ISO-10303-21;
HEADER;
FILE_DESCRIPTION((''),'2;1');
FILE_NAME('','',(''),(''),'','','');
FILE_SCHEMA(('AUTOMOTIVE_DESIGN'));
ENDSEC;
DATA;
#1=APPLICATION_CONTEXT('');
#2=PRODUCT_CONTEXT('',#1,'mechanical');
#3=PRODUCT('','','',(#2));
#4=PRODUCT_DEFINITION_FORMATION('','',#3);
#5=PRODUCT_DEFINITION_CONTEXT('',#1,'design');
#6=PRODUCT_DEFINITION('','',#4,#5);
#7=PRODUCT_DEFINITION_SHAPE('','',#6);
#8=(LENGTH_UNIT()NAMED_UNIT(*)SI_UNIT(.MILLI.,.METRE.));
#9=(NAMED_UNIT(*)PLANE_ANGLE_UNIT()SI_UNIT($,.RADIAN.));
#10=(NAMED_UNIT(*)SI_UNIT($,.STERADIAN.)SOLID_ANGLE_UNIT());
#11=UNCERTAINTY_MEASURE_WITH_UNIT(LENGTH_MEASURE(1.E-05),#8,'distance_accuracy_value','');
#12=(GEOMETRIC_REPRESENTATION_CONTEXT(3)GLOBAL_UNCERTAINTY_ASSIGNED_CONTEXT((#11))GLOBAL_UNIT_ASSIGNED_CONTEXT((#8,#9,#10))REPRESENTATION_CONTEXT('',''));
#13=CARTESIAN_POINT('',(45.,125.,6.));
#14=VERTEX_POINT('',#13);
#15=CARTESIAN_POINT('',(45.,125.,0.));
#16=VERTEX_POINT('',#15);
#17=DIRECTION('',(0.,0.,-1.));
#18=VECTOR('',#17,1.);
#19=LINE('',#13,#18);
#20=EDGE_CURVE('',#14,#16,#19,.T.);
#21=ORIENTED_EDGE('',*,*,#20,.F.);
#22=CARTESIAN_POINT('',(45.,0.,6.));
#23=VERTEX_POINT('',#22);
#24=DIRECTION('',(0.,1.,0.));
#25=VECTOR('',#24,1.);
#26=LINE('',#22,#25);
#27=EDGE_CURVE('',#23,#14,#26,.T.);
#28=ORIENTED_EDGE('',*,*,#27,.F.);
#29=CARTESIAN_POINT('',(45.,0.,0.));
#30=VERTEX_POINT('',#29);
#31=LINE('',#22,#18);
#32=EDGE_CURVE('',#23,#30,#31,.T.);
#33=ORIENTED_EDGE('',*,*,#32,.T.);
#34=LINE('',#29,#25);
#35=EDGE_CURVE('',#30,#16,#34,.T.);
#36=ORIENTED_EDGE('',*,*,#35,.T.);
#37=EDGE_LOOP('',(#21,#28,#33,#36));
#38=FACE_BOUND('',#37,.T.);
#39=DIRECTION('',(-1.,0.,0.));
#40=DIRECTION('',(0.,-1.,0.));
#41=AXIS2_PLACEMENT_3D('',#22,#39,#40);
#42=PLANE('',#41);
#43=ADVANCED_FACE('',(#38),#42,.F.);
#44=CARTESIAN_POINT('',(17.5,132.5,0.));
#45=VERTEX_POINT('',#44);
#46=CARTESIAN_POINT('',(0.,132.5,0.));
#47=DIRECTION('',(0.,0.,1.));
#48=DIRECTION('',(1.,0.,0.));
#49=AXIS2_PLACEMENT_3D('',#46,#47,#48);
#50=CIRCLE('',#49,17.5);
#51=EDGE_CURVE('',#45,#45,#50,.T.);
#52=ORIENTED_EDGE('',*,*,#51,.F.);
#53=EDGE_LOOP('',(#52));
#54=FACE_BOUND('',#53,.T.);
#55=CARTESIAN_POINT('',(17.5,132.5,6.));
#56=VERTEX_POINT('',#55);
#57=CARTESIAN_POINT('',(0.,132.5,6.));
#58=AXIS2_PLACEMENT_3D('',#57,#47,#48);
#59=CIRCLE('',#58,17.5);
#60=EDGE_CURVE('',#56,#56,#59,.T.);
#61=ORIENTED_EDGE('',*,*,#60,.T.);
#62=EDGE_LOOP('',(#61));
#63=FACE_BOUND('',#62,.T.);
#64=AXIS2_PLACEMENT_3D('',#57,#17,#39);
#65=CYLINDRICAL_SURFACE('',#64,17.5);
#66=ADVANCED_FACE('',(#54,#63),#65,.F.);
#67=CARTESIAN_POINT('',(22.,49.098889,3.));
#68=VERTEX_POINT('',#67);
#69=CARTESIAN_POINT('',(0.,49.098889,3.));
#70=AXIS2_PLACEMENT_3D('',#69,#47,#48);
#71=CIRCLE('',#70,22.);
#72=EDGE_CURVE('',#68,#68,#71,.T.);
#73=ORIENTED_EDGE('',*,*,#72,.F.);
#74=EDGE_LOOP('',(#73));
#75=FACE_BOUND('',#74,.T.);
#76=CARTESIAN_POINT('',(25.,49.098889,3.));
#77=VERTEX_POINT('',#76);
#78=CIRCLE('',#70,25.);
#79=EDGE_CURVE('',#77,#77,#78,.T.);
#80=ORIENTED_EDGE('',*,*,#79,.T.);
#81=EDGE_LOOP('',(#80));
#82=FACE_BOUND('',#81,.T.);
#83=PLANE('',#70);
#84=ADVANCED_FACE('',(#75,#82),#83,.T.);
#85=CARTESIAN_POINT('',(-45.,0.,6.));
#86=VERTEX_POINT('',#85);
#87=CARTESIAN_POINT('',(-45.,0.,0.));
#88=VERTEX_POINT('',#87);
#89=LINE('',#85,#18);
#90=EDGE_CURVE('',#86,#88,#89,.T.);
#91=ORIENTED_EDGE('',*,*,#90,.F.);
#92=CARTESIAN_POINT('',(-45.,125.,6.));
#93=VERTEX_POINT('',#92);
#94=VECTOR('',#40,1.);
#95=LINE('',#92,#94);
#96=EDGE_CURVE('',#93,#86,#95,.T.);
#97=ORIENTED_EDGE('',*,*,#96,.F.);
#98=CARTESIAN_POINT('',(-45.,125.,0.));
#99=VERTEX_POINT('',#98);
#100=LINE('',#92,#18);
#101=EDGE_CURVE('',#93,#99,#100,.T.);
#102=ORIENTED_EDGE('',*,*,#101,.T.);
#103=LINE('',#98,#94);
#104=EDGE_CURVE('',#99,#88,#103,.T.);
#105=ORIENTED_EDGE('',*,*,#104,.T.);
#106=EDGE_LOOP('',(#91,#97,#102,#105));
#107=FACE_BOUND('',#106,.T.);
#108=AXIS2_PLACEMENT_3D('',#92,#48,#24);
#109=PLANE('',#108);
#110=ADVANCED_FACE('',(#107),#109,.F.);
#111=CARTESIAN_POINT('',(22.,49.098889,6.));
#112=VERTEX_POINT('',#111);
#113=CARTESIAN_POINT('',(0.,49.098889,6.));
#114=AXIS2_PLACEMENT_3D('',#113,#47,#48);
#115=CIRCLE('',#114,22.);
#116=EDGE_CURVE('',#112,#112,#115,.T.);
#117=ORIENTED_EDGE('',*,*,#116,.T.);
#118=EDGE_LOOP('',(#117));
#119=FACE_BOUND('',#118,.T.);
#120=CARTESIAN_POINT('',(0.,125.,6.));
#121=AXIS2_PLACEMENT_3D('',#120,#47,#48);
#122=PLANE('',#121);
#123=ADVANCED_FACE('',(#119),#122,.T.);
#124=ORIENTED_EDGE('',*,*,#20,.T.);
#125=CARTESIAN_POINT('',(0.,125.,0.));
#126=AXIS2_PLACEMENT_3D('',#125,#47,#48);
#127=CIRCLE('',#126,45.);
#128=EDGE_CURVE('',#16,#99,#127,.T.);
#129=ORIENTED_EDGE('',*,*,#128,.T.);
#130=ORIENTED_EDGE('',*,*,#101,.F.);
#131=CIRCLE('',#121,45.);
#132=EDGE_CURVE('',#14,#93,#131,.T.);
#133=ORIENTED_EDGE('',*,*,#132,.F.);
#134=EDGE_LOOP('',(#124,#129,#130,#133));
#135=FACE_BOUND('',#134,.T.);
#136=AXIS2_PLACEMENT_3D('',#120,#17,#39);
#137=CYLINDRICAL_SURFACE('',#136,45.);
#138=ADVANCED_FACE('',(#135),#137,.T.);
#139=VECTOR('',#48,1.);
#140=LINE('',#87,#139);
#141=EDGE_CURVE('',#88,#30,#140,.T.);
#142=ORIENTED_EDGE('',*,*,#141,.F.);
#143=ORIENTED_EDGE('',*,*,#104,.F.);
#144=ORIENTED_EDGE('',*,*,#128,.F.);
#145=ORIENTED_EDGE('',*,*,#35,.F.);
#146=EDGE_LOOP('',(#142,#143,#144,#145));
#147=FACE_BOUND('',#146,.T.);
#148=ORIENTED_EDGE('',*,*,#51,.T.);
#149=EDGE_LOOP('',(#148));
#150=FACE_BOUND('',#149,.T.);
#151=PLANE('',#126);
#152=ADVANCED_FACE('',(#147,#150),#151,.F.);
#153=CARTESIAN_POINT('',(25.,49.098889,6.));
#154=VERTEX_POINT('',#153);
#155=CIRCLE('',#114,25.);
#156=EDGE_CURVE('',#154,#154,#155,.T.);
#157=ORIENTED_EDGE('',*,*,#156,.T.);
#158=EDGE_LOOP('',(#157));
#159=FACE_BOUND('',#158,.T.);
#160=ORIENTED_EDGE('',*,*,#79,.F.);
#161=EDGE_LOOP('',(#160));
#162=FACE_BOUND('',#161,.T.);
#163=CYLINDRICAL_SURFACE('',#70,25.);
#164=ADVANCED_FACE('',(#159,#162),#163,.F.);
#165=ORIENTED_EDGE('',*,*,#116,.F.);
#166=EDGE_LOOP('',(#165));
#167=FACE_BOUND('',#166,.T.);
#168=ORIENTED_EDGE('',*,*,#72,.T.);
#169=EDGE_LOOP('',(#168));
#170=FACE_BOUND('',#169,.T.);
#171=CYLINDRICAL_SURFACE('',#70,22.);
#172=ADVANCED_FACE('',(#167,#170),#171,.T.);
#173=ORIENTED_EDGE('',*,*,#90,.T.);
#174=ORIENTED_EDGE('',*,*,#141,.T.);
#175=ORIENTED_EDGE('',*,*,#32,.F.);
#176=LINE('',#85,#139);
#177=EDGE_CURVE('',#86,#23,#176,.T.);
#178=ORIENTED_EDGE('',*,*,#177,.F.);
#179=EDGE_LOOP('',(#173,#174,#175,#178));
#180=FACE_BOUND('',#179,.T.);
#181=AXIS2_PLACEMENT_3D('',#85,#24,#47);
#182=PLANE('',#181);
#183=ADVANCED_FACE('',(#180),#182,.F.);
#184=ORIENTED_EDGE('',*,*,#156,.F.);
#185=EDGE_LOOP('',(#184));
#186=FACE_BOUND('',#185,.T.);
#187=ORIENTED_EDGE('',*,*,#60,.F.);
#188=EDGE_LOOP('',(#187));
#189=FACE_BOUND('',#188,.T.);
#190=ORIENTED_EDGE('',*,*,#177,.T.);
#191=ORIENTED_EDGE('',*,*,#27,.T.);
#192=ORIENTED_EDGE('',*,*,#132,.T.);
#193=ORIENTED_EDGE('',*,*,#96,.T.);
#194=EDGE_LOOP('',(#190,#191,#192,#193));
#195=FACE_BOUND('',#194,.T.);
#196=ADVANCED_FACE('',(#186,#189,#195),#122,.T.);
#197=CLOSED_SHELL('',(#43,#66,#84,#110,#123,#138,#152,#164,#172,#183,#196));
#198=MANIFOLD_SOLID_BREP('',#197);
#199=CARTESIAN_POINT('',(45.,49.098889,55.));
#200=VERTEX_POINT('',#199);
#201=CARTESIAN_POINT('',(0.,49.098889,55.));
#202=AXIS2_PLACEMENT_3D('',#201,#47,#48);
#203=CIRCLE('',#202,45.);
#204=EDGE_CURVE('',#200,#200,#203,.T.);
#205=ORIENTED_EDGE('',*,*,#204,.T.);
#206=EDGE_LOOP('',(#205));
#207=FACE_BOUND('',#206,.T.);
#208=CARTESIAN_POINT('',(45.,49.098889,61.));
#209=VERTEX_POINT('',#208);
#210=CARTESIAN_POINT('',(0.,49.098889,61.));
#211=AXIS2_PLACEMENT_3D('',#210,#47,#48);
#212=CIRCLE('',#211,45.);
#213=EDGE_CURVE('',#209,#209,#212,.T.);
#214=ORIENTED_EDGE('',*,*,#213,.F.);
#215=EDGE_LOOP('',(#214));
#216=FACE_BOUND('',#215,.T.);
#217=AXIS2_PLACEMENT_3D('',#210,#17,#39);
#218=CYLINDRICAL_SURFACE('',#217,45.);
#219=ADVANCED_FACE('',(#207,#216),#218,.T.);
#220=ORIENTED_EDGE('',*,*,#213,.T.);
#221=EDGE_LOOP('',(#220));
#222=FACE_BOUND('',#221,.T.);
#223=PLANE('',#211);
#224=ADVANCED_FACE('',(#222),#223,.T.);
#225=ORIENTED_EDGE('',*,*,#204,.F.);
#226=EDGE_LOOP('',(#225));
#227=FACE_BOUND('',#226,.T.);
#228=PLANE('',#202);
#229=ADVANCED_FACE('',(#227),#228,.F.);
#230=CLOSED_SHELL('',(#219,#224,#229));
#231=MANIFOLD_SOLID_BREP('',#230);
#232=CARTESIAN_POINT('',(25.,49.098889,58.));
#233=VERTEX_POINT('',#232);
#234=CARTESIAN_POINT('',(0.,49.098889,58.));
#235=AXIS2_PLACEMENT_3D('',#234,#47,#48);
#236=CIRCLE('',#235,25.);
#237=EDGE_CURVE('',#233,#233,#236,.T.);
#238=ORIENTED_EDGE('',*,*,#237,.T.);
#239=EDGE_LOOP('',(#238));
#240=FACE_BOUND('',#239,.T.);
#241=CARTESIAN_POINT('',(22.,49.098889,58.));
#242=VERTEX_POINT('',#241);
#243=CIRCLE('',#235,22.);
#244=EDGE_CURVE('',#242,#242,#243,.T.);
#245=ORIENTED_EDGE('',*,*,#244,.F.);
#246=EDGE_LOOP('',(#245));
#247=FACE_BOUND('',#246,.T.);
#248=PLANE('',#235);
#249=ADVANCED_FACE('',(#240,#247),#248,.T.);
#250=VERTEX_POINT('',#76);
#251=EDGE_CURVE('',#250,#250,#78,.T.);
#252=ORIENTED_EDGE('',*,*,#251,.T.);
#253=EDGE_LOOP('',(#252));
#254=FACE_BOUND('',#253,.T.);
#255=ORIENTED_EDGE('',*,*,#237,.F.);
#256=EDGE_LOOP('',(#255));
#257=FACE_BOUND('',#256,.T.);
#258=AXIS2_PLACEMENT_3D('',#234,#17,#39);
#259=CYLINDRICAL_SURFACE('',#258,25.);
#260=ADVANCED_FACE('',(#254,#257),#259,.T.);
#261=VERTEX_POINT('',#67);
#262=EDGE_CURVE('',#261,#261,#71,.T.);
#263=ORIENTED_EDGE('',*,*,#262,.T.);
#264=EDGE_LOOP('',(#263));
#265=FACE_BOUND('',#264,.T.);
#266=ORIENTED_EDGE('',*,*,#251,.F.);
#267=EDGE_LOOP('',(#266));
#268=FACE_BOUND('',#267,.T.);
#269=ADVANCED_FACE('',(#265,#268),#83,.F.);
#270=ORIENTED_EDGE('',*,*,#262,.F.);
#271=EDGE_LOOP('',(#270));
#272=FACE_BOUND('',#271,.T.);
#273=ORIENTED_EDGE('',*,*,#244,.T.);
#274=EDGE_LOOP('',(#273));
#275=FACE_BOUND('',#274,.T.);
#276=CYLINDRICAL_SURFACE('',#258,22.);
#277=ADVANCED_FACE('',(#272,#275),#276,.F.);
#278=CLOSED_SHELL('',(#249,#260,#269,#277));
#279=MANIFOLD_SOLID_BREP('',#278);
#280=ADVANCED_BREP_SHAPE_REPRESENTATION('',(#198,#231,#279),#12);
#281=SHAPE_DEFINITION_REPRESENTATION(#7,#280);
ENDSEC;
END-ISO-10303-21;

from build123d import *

# Parameters (mm, degrees)
ESQUISSE2_R             = 17.5
BOSS_EXTRU_1_DEPTH      = 6
ESQUISSE3_R             = 25
ESQUISSE3_R_2           = 22
ENL_V_MAT_EXTRU_1_DEPTH = 3
ESQUISSE4_R             = 25
ESQUISSE4_R_2           = 22
BOSS_EXTRU_2_DEPTH      = 55
BOSS_EXTRU_3_START      = -3
ESQUISSE5_R             = 45
BOSS_EXTRU_3_DEPTH      = 6


with BuildPart() as part:
    # Esquisse2 → Boss.-Extru.1 (new body)
    with BuildSketch(Plane.XY):
        with BuildLine():
            Line((-45, 0), (45, 0))
            Line((45, 0), (45, 125))
            ThreePointArc((45, 125), (0, 170), (-45, 125))
            Line((-45, 125), (-45, 0))
        make_face()
        with Locations((0, 132.5)):
            Circle(ESQUISSE2_R, mode=Mode.SUBTRACT)
    extrude(amount=BOSS_EXTRU_1_DEPTH)

    # Esquisse3 → Enlèv. mat.-Extru.1 (cut)
    with BuildSketch(Plane.XY.offset(6)):
        with Locations((0, 49.098888586)):
            Circle(ESQUISSE3_R)
        with Locations((0, 49.098888586)):
            Circle(ESQUISSE3_R_2, mode=Mode.SUBTRACT)
    extrude(amount=-ENL_V_MAT_EXTRU_1_DEPTH, mode=Mode.SUBTRACT)


with BuildPart() as body_2:
    # Esquisse4 → Boss.-Extru.2 (new body)
    with BuildSketch(Plane.XY.offset(3)):
        with Locations((0, 49.098888586)):
            Circle(ESQUISSE4_R)
        with Locations((0, 49.098888586)):
            Circle(ESQUISSE4_R_2, mode=Mode.SUBTRACT)
    extrude(amount=BOSS_EXTRU_2_DEPTH)


with BuildPart() as body_3:
    # Esquisse5 → Boss.-Extru.3 (new body)
    with BuildSketch(Plane.XY.offset(58).offset(BOSS_EXTRU_3_START)):
        with Locations((0, 49.098888586)):
            Circle(ESQUISSE5_R)
    extrude(amount=BOSS_EXTRU_3_DEPTH)


solid = Compound([part.part, body_2.part, body_3.part])
